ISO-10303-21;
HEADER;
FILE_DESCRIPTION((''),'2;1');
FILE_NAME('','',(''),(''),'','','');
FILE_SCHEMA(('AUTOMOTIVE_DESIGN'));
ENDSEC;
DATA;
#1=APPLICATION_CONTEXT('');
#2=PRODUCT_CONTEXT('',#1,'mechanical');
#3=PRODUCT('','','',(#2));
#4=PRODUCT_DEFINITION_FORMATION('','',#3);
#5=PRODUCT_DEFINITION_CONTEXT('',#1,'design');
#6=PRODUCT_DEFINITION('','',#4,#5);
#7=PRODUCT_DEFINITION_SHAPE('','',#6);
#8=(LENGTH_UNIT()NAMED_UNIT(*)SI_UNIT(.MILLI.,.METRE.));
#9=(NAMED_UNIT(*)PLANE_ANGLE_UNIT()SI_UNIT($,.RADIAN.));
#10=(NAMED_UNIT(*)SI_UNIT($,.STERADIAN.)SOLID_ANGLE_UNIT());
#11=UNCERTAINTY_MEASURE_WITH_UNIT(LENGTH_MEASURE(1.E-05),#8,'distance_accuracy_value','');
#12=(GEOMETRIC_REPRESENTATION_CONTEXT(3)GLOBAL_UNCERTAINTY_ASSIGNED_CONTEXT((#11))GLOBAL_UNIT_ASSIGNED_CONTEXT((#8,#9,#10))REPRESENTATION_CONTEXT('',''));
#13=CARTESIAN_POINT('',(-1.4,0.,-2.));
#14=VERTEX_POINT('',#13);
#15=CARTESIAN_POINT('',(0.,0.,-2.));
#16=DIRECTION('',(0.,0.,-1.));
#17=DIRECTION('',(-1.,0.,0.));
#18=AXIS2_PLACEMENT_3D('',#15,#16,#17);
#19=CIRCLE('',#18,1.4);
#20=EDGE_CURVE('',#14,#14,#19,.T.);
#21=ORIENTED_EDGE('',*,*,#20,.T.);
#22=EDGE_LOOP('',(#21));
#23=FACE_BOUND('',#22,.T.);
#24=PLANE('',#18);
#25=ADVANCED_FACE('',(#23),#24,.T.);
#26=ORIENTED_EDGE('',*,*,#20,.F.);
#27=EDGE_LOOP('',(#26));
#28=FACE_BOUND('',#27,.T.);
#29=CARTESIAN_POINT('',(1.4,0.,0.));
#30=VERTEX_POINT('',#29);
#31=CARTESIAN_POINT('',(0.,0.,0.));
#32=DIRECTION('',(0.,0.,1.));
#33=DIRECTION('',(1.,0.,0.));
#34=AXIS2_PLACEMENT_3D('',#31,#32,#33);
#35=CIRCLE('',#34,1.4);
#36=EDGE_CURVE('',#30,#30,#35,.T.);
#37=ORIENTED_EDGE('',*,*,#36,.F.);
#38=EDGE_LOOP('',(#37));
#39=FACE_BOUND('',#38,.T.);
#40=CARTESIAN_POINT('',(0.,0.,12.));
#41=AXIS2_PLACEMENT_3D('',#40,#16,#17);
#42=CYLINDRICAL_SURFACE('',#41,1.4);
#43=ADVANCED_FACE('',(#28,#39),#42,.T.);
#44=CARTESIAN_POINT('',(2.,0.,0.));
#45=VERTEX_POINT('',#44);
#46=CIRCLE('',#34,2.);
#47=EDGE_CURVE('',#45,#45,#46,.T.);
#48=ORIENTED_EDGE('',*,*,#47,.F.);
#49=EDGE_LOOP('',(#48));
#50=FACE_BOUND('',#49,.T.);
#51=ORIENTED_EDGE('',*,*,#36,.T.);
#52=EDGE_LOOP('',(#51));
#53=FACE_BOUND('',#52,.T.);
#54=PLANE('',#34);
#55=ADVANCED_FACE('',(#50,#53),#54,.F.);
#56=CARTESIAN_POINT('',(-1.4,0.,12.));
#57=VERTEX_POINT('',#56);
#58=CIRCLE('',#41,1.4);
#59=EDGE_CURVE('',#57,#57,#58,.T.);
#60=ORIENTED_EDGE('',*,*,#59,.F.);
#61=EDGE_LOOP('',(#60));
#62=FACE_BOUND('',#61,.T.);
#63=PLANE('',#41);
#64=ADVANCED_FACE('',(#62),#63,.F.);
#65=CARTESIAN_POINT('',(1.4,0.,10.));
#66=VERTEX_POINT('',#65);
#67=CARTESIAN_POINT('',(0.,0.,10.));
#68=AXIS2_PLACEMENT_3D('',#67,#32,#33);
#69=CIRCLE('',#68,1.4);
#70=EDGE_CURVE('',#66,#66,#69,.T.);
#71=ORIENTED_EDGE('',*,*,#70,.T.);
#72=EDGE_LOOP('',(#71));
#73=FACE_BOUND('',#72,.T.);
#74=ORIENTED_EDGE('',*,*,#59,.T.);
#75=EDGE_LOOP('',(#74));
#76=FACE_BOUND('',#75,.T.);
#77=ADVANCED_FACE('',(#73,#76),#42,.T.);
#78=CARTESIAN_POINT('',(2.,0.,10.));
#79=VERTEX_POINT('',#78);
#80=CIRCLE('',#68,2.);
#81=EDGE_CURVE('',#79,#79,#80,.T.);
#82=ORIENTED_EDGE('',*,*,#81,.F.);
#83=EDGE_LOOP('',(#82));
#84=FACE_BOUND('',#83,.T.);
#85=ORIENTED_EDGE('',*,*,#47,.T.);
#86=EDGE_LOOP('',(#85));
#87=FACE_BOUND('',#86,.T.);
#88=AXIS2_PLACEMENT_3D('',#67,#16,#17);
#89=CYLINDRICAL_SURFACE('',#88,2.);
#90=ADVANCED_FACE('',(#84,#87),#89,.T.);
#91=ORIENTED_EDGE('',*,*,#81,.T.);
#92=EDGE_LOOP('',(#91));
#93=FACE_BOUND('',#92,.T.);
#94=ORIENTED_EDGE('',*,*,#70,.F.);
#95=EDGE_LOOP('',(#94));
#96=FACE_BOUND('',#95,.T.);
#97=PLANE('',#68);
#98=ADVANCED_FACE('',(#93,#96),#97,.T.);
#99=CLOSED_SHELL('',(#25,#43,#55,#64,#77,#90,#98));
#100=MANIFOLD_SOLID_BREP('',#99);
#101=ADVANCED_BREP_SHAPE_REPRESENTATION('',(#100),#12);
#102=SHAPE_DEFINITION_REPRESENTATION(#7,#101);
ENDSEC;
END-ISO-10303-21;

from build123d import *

# Parameters (mm, degrees)
SKETCH_1_R           = 2
SKETCH_1_R_2         = 1.4
EXTRUDE_1_DEPTH      = 10
SKETCH_2_R           = 1.4
EXTRUDE_2_DEPTH      = 10
EXTRUDE_3_DEPTH      = 2
EXTRUDE_3_DEPTH_BACK = 12
SKETCH_3_R           = 1.4


with BuildPart() as part:
    # 草图1 → 凸台-拉伸1 (new body)
    with BuildSketch(Plane.XY):
        Circle(SKETCH_1_R)
        Circle(SKETCH_1_R_2, mode=Mode.SUBTRACT)
    extrude(amount=EXTRUDE_1_DEPTH)

    # 草图2 → 凸台-拉伸2 (add)
    with BuildSketch(Plane(origin=(0, 0, 0), x_dir=(-1, 0, 0), z_dir=(0, 0, -1))):
        Circle(SKETCH_2_R)
    extrude(amount=-EXTRUDE_2_DEPTH)

    # 草图3 → 凸台-拉伸3 (add, two sides: drawn at the far end of the back side and taken through both)
    with BuildSketch(Plane(origin=(0, 0, 0), x_dir=(-1, 0, 0), z_dir=(0, 0, -1)).offset(-EXTRUDE_3_DEPTH_BACK)):
        Circle(SKETCH_3_R)
    extrude(amount=EXTRUDE_3_DEPTH + EXTRUDE_3_DEPTH_BACK)


solid = part.part
